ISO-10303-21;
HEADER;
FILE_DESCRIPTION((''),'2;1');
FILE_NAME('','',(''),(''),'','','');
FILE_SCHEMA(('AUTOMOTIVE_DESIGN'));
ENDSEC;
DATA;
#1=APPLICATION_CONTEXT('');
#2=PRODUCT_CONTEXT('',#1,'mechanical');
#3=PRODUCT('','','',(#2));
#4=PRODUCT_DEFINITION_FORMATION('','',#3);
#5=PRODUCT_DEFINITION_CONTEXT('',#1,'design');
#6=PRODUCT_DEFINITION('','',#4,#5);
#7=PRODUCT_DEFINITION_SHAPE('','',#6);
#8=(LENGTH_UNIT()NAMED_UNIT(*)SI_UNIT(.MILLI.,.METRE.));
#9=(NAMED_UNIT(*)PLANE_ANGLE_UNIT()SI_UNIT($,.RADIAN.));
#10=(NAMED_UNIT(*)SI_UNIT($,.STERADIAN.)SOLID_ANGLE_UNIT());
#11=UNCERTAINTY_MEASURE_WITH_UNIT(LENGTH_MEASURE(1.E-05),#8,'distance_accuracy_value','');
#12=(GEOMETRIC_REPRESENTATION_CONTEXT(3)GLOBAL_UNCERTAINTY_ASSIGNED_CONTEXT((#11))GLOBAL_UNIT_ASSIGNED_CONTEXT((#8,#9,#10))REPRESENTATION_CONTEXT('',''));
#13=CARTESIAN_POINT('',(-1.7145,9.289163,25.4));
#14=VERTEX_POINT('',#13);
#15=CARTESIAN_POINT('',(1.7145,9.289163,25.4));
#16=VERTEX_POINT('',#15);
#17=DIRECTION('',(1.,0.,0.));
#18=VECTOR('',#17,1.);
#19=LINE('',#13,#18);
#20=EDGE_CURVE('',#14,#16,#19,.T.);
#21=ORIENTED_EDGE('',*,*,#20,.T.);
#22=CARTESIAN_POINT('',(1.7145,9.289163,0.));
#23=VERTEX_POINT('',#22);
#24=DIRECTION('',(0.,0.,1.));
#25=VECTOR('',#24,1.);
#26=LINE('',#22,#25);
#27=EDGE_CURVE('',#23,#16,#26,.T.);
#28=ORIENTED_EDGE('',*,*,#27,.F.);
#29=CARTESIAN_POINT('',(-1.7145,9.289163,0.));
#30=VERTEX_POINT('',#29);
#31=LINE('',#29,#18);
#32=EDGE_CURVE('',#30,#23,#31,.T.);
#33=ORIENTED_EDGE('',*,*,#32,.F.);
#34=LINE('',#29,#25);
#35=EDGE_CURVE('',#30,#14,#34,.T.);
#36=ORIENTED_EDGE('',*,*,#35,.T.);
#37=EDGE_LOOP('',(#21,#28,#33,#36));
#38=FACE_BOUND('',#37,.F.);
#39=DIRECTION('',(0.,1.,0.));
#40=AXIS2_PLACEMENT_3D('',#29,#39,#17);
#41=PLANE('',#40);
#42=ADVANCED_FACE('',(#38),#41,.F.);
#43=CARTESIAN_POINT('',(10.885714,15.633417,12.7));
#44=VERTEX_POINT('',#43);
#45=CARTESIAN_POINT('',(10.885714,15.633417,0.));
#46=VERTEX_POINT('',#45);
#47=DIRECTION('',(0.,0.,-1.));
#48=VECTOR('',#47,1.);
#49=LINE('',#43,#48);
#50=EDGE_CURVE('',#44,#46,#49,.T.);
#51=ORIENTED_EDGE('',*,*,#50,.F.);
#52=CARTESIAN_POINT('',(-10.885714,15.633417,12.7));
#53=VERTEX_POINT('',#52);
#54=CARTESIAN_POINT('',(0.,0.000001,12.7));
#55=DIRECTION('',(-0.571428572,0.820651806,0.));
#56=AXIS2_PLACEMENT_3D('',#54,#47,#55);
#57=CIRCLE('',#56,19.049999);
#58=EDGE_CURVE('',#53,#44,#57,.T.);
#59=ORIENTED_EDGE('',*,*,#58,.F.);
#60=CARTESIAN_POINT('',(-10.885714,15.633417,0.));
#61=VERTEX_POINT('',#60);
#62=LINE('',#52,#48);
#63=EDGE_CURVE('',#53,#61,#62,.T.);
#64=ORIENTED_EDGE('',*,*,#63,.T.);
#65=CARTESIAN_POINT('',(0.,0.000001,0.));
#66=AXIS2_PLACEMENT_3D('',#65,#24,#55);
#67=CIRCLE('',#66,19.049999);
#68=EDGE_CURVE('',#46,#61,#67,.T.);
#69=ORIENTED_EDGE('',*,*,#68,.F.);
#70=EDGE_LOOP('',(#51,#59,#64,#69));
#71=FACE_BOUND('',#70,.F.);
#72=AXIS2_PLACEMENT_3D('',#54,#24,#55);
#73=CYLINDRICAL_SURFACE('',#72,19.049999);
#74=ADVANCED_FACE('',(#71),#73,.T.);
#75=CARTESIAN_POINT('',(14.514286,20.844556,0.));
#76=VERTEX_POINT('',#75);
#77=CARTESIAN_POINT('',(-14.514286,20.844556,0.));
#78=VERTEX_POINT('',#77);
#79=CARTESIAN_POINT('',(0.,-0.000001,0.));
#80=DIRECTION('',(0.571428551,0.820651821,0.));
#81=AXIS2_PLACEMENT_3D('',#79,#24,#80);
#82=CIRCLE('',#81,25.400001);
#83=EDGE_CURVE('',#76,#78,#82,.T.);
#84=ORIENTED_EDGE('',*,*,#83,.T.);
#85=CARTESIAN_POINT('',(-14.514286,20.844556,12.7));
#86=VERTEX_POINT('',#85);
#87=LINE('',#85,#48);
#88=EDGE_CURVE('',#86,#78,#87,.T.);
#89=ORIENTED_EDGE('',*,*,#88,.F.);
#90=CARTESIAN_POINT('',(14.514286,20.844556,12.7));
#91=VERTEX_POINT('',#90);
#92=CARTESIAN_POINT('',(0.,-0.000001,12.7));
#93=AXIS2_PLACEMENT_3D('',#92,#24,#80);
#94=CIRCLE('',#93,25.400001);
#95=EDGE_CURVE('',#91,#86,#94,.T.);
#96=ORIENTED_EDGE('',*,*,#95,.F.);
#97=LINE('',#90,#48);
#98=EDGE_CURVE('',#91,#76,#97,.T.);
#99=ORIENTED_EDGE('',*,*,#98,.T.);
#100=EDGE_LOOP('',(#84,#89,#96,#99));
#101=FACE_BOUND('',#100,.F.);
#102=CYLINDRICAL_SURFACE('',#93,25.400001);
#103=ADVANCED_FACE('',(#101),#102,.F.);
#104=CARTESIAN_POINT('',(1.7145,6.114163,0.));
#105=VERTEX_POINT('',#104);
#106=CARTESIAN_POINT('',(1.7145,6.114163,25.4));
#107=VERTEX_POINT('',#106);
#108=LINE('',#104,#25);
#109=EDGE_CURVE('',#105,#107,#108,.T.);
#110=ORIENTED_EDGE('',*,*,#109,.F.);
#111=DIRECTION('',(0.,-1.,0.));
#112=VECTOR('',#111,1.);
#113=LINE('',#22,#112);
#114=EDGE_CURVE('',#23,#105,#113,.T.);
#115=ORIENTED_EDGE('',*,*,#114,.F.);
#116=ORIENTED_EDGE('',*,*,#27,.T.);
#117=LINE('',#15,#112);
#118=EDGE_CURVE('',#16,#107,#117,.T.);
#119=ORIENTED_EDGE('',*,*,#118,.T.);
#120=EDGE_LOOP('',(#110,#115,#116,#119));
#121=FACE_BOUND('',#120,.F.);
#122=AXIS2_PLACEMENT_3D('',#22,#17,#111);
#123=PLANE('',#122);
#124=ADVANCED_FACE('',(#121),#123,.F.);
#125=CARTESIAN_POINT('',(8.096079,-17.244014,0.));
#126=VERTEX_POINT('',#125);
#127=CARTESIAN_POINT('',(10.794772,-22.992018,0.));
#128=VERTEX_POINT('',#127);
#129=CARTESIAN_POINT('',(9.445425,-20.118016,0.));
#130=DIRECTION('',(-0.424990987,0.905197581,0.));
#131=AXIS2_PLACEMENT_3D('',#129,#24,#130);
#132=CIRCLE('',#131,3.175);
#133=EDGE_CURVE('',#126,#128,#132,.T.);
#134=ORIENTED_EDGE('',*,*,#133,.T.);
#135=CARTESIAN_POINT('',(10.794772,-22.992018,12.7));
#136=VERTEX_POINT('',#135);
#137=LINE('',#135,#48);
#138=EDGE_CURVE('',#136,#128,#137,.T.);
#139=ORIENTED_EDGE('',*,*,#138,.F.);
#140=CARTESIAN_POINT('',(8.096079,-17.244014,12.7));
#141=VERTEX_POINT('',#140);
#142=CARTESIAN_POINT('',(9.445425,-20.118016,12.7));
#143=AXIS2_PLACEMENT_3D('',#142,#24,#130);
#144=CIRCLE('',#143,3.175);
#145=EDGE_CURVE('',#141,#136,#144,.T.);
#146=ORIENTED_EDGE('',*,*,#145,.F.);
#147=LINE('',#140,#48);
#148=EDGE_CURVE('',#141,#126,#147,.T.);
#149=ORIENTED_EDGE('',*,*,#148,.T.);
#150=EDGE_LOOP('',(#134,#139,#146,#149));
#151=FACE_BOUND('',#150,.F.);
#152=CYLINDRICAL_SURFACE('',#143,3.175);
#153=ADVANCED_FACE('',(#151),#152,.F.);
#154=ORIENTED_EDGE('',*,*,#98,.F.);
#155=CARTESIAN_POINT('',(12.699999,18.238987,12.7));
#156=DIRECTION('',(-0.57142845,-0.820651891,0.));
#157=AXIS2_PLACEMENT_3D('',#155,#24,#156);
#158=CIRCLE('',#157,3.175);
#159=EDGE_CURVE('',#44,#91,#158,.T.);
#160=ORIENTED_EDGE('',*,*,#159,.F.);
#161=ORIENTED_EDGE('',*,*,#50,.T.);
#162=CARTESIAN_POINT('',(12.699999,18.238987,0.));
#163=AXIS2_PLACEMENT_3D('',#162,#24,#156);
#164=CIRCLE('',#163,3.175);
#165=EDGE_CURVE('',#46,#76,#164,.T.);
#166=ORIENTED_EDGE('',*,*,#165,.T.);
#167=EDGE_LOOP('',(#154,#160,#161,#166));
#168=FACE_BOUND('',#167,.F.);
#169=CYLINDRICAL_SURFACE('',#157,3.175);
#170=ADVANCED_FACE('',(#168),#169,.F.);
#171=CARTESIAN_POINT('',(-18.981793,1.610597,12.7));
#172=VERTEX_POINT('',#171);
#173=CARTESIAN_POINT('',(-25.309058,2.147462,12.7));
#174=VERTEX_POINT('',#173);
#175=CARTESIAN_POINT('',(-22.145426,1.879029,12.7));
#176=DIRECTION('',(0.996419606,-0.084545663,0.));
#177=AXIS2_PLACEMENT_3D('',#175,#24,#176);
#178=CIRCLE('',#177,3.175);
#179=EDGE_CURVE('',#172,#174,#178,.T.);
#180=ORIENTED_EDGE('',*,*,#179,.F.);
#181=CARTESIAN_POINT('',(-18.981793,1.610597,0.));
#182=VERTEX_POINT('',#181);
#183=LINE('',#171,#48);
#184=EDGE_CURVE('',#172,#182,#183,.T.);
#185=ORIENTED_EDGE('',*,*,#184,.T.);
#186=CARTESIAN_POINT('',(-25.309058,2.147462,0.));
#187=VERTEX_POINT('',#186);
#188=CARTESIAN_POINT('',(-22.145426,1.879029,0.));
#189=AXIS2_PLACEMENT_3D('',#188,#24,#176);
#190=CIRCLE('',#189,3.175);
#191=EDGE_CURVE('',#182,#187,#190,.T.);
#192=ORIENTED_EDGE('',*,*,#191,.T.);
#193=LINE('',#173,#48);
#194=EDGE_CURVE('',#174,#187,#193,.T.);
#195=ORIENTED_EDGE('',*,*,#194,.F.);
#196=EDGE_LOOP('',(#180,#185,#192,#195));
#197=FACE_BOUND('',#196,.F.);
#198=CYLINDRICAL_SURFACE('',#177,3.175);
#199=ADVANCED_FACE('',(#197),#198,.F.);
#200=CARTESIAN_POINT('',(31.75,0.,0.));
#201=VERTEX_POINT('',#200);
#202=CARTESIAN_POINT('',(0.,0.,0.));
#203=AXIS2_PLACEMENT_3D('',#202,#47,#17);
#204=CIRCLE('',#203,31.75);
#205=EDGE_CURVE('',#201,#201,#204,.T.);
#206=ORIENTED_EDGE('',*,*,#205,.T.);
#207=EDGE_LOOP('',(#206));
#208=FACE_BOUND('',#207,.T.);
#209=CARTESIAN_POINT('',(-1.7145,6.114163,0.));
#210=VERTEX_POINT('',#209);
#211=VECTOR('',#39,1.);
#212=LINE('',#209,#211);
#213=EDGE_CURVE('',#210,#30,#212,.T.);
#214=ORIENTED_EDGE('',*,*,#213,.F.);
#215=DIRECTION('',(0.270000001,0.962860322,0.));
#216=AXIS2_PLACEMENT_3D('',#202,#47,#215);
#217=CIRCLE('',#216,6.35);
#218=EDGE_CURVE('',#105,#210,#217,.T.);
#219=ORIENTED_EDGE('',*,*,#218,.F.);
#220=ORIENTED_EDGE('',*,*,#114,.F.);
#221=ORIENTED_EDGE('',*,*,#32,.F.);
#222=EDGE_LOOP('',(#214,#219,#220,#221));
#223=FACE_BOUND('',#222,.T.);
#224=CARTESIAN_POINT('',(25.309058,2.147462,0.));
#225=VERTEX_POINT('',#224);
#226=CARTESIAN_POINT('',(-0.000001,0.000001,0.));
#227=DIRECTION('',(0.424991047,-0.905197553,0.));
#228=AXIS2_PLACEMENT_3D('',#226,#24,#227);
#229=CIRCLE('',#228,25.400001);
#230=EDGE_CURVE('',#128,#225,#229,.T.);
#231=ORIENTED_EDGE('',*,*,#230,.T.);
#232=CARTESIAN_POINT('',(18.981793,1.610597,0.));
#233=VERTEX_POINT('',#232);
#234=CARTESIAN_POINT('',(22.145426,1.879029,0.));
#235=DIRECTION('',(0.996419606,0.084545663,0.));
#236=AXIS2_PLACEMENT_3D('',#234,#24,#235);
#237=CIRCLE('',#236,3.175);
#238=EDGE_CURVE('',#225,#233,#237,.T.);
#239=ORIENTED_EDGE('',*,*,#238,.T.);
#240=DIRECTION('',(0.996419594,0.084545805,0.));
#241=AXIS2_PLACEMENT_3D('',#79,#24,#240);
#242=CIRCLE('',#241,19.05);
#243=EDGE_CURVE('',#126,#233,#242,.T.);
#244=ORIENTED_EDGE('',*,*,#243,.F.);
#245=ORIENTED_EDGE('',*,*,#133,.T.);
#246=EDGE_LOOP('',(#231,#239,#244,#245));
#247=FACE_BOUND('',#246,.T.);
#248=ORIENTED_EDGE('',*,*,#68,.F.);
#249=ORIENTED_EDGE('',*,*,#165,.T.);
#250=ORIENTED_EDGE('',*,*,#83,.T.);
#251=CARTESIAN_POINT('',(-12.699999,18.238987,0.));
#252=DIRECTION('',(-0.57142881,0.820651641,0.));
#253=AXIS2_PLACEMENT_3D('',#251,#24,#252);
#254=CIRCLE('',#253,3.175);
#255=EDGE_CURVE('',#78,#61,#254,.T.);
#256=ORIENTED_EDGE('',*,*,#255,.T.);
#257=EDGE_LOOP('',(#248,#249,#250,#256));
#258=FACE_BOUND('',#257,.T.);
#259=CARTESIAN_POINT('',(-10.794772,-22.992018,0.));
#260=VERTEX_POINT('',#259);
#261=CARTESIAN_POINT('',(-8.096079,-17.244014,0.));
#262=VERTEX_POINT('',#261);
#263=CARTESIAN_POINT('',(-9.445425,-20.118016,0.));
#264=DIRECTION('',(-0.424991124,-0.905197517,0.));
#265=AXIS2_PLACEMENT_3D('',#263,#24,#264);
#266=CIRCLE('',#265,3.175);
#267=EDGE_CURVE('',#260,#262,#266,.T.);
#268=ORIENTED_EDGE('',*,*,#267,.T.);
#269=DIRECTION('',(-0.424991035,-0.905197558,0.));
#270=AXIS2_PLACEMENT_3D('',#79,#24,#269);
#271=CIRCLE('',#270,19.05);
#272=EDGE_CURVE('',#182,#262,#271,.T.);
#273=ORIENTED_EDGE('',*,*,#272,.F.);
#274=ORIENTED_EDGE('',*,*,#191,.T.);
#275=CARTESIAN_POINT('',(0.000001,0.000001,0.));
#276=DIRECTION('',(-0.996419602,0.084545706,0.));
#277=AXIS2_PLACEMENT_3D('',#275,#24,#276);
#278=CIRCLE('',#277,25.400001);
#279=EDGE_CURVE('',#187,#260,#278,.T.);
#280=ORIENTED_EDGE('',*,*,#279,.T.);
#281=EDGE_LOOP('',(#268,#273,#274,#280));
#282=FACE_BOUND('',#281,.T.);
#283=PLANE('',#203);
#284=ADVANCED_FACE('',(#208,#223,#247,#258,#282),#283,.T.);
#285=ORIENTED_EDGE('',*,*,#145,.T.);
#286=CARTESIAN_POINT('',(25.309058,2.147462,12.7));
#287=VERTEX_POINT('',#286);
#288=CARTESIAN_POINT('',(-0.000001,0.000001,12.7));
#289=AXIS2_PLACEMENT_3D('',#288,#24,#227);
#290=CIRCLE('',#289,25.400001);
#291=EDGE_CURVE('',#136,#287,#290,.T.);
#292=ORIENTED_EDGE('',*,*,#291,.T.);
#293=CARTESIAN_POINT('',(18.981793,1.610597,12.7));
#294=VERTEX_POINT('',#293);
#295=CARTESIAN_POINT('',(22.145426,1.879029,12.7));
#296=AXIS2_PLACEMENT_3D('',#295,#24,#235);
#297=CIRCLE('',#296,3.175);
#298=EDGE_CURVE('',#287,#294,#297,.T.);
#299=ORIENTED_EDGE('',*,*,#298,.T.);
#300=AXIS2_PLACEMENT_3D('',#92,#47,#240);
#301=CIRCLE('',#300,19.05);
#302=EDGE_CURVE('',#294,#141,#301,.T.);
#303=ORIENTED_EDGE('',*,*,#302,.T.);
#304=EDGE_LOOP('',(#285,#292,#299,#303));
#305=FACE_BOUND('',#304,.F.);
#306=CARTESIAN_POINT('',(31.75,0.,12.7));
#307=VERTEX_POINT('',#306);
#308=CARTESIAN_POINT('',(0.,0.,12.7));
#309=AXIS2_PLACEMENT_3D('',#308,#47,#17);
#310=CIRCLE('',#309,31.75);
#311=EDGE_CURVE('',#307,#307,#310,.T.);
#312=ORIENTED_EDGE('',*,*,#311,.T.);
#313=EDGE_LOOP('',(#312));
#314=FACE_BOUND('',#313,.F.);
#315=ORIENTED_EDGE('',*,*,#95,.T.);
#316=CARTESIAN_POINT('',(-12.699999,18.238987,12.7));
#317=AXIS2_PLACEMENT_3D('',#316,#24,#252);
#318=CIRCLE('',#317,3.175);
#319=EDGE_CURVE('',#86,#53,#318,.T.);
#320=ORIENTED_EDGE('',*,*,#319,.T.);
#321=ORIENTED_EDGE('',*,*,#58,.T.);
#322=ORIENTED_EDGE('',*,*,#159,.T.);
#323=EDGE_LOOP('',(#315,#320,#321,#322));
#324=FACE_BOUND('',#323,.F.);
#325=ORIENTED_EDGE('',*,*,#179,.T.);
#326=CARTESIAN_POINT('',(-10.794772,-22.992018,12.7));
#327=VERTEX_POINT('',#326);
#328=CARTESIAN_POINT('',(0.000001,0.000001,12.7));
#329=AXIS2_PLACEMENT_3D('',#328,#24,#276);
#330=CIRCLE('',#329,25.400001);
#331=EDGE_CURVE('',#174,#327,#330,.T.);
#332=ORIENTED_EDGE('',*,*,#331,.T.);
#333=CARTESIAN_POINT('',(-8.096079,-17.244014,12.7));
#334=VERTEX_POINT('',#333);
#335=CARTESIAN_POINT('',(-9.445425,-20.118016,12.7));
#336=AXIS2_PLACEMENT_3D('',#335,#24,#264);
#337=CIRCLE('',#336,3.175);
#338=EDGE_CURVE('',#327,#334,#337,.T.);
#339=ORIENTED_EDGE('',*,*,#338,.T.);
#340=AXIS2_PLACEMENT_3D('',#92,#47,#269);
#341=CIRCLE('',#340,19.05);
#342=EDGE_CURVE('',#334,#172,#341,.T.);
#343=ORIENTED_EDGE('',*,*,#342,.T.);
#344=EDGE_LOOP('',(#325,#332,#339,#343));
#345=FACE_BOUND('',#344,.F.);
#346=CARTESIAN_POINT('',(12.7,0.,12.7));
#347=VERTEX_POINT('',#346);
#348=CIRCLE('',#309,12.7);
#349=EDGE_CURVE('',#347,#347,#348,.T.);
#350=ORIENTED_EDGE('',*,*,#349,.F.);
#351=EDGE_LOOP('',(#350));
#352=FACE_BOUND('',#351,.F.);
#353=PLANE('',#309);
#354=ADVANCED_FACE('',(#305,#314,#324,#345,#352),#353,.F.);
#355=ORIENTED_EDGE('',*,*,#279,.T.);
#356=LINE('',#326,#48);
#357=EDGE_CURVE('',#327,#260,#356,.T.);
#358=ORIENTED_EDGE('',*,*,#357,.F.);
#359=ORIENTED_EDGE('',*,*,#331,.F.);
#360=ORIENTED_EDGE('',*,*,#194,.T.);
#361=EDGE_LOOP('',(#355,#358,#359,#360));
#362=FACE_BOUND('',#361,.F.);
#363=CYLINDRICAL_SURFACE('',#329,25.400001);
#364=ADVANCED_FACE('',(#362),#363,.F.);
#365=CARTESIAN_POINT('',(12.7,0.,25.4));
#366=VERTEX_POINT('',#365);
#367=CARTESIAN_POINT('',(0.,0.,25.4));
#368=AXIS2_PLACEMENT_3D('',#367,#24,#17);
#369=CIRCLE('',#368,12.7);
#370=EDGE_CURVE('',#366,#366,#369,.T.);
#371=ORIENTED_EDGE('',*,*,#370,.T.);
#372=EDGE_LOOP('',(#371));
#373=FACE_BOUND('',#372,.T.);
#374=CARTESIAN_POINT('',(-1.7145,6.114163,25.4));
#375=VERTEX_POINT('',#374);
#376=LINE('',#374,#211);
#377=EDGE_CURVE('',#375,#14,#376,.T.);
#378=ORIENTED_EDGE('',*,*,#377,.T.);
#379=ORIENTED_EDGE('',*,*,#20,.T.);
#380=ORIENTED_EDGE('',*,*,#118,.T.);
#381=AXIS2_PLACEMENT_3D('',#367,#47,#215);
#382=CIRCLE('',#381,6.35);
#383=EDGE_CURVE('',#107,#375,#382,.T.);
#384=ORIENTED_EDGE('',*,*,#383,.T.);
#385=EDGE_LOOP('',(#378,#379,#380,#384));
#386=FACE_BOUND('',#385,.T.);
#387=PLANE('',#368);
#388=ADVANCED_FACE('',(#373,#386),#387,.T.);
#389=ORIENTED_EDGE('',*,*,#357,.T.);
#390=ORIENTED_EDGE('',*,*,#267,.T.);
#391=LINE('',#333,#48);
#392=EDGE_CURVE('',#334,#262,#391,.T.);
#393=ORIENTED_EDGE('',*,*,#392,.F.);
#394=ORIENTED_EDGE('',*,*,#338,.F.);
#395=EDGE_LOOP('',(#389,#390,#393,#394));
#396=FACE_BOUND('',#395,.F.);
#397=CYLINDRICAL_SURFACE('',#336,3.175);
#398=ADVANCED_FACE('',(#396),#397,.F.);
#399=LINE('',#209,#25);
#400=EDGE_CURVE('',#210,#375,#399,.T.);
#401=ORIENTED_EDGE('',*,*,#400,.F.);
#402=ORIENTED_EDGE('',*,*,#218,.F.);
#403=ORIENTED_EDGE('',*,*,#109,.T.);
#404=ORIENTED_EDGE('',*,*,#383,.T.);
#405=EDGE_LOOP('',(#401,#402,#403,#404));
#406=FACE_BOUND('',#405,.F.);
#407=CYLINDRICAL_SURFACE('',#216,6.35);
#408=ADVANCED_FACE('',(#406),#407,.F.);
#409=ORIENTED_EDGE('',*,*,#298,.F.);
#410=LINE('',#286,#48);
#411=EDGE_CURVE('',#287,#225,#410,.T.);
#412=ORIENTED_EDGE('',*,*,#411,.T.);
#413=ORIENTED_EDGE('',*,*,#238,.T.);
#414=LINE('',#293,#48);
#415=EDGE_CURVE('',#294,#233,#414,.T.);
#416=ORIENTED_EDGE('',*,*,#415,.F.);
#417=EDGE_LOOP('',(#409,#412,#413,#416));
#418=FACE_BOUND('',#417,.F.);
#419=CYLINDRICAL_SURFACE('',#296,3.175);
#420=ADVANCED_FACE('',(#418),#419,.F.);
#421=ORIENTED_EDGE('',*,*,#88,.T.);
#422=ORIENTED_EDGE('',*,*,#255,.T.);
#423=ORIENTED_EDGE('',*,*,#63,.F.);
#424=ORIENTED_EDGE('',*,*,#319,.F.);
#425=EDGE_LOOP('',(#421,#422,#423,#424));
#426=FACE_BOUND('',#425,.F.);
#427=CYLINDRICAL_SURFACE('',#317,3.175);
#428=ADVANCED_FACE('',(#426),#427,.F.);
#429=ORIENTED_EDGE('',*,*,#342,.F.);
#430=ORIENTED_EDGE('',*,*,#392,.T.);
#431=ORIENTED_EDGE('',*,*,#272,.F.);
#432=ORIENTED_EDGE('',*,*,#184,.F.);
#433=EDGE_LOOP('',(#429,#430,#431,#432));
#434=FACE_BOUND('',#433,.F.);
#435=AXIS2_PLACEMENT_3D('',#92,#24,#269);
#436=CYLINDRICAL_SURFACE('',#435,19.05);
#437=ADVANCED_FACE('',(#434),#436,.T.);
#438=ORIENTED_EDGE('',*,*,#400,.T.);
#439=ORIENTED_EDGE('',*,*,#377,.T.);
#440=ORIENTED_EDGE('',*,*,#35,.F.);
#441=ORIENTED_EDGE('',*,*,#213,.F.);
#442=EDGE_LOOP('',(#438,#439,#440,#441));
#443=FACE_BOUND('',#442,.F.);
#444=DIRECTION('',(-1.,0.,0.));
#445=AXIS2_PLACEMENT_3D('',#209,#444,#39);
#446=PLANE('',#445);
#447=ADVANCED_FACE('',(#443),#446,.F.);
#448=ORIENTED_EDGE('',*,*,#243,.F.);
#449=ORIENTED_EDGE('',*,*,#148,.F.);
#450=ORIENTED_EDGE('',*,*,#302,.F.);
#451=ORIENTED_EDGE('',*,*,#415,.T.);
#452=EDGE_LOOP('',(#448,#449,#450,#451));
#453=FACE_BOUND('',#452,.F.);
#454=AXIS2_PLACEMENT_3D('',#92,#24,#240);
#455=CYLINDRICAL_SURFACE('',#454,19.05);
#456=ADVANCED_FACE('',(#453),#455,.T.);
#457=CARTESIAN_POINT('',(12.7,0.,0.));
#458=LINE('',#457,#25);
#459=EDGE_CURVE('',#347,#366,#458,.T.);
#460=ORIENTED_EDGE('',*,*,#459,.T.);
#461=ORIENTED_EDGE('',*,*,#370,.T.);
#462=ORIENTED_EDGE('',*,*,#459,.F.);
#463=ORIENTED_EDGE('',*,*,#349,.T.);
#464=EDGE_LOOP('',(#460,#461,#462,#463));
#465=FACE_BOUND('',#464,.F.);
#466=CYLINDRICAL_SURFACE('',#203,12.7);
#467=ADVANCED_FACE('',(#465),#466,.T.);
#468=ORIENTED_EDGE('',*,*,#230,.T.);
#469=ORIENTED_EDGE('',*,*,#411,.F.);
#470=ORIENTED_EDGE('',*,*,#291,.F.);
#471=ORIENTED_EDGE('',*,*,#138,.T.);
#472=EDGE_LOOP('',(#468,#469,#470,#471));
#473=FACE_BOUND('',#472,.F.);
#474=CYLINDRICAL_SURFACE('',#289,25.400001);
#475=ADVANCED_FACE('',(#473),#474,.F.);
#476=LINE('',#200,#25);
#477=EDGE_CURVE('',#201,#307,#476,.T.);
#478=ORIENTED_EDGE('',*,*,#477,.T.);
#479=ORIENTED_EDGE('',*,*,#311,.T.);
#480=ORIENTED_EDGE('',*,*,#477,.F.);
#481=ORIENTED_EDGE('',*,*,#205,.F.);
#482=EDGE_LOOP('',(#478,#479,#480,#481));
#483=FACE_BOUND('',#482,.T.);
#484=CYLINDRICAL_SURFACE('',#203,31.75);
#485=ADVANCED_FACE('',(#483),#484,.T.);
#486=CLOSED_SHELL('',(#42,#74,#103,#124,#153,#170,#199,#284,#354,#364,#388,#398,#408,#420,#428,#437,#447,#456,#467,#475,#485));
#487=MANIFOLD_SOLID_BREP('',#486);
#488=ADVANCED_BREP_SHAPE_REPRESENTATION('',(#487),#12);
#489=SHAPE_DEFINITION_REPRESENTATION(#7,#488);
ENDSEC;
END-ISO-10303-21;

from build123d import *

# Parameters (mm, degrees)
F0_R     = 12.7
F1_DEPTH = 25.4
F2_R     = 31.75
F2_R_2   = 12.7
F3_DEPTH = 12.7
F5_DEPTH = 25.4


with BuildPart() as f1:
    # F0 (on Top) → F1 (new body)
    with BuildSketch(Plane.XY):
        Circle(F0_R)
        with BuildLine():
            ThreePointArc((1.7145, 6.114163), (0, -6.35), (-1.7145, 6.114163))
            Line((-1.7145, 6.114163), (-1.7145, 9.289163))
            Line((-1.7145, 9.289163), (1.7145, 9.289163))
            Line((1.7145, 9.289163), (1.7145, 6.114163))
        make_face(mode=Mode.SUBTRACT)
    extrude(amount=F1_DEPTH)

    # F2 (on face) → F3 (join)
    with BuildSketch(Plane(origin=(0, 0, 0), x_dir=(1, 0, 0), z_dir=(0, 0, -1))):
        Circle(F2_R)
        Circle(F2_R_2, mode=Mode.SUBTRACT)
    extrude(amount=-F3_DEPTH)

    # F4 (on face) → F5 (cut)
    with BuildSketch(Plane.XY.offset(12.7)):
        with BuildLine():
            ThreePointArc((-14.514286, 20.844556), (-15.305569, 16.424701), (-10.885714, 15.633417))
            ThreePointArc((-10.885714, 15.633417), (0, 19.05), (10.885714, 15.633417))
            ThreePointArc((10.885714, 15.633417), (15.305569, 16.424701), (14.514286, 20.844556))
            ThreePointArc((14.514286, 20.844556), (0, 25.4), (-14.514286, 20.844556))
        make_face()
        with BuildLine():
            ThreePointArc((-10.794772, -22.992018), (-6.571423, -21.467362), (-8.096079, -17.244014))
            ThreePointArc((-8.096079, -17.244014), (-16.497784, -9.525), (-18.981793, 1.610597))
            ThreePointArc((-18.981793, 1.610597), (-21.876993, 5.042662), (-25.309058, 2.147462))
            ThreePointArc((-25.309058, 2.147462), (-21.997045, -12.7), (-10.794772, -22.992018))
        make_face()
        with BuildLine():
            ThreePointArc((25.309058, 2.147462), (21.876993, 5.042662), (18.981793, 1.610597))
            ThreePointArc((18.981793, 1.610597), (16.497784, -9.525), (8.096079, -17.244014))
            ThreePointArc((8.096079, -17.244014), (6.571423, -21.467362), (10.794772, -22.992018))
            ThreePointArc((10.794772, -22.992018), (21.997045, -12.7), (25.309058, 2.147462))
        make_face()
    extrude(amount=-F5_DEPTH, mode=Mode.SUBTRACT)


solid = f1.part
